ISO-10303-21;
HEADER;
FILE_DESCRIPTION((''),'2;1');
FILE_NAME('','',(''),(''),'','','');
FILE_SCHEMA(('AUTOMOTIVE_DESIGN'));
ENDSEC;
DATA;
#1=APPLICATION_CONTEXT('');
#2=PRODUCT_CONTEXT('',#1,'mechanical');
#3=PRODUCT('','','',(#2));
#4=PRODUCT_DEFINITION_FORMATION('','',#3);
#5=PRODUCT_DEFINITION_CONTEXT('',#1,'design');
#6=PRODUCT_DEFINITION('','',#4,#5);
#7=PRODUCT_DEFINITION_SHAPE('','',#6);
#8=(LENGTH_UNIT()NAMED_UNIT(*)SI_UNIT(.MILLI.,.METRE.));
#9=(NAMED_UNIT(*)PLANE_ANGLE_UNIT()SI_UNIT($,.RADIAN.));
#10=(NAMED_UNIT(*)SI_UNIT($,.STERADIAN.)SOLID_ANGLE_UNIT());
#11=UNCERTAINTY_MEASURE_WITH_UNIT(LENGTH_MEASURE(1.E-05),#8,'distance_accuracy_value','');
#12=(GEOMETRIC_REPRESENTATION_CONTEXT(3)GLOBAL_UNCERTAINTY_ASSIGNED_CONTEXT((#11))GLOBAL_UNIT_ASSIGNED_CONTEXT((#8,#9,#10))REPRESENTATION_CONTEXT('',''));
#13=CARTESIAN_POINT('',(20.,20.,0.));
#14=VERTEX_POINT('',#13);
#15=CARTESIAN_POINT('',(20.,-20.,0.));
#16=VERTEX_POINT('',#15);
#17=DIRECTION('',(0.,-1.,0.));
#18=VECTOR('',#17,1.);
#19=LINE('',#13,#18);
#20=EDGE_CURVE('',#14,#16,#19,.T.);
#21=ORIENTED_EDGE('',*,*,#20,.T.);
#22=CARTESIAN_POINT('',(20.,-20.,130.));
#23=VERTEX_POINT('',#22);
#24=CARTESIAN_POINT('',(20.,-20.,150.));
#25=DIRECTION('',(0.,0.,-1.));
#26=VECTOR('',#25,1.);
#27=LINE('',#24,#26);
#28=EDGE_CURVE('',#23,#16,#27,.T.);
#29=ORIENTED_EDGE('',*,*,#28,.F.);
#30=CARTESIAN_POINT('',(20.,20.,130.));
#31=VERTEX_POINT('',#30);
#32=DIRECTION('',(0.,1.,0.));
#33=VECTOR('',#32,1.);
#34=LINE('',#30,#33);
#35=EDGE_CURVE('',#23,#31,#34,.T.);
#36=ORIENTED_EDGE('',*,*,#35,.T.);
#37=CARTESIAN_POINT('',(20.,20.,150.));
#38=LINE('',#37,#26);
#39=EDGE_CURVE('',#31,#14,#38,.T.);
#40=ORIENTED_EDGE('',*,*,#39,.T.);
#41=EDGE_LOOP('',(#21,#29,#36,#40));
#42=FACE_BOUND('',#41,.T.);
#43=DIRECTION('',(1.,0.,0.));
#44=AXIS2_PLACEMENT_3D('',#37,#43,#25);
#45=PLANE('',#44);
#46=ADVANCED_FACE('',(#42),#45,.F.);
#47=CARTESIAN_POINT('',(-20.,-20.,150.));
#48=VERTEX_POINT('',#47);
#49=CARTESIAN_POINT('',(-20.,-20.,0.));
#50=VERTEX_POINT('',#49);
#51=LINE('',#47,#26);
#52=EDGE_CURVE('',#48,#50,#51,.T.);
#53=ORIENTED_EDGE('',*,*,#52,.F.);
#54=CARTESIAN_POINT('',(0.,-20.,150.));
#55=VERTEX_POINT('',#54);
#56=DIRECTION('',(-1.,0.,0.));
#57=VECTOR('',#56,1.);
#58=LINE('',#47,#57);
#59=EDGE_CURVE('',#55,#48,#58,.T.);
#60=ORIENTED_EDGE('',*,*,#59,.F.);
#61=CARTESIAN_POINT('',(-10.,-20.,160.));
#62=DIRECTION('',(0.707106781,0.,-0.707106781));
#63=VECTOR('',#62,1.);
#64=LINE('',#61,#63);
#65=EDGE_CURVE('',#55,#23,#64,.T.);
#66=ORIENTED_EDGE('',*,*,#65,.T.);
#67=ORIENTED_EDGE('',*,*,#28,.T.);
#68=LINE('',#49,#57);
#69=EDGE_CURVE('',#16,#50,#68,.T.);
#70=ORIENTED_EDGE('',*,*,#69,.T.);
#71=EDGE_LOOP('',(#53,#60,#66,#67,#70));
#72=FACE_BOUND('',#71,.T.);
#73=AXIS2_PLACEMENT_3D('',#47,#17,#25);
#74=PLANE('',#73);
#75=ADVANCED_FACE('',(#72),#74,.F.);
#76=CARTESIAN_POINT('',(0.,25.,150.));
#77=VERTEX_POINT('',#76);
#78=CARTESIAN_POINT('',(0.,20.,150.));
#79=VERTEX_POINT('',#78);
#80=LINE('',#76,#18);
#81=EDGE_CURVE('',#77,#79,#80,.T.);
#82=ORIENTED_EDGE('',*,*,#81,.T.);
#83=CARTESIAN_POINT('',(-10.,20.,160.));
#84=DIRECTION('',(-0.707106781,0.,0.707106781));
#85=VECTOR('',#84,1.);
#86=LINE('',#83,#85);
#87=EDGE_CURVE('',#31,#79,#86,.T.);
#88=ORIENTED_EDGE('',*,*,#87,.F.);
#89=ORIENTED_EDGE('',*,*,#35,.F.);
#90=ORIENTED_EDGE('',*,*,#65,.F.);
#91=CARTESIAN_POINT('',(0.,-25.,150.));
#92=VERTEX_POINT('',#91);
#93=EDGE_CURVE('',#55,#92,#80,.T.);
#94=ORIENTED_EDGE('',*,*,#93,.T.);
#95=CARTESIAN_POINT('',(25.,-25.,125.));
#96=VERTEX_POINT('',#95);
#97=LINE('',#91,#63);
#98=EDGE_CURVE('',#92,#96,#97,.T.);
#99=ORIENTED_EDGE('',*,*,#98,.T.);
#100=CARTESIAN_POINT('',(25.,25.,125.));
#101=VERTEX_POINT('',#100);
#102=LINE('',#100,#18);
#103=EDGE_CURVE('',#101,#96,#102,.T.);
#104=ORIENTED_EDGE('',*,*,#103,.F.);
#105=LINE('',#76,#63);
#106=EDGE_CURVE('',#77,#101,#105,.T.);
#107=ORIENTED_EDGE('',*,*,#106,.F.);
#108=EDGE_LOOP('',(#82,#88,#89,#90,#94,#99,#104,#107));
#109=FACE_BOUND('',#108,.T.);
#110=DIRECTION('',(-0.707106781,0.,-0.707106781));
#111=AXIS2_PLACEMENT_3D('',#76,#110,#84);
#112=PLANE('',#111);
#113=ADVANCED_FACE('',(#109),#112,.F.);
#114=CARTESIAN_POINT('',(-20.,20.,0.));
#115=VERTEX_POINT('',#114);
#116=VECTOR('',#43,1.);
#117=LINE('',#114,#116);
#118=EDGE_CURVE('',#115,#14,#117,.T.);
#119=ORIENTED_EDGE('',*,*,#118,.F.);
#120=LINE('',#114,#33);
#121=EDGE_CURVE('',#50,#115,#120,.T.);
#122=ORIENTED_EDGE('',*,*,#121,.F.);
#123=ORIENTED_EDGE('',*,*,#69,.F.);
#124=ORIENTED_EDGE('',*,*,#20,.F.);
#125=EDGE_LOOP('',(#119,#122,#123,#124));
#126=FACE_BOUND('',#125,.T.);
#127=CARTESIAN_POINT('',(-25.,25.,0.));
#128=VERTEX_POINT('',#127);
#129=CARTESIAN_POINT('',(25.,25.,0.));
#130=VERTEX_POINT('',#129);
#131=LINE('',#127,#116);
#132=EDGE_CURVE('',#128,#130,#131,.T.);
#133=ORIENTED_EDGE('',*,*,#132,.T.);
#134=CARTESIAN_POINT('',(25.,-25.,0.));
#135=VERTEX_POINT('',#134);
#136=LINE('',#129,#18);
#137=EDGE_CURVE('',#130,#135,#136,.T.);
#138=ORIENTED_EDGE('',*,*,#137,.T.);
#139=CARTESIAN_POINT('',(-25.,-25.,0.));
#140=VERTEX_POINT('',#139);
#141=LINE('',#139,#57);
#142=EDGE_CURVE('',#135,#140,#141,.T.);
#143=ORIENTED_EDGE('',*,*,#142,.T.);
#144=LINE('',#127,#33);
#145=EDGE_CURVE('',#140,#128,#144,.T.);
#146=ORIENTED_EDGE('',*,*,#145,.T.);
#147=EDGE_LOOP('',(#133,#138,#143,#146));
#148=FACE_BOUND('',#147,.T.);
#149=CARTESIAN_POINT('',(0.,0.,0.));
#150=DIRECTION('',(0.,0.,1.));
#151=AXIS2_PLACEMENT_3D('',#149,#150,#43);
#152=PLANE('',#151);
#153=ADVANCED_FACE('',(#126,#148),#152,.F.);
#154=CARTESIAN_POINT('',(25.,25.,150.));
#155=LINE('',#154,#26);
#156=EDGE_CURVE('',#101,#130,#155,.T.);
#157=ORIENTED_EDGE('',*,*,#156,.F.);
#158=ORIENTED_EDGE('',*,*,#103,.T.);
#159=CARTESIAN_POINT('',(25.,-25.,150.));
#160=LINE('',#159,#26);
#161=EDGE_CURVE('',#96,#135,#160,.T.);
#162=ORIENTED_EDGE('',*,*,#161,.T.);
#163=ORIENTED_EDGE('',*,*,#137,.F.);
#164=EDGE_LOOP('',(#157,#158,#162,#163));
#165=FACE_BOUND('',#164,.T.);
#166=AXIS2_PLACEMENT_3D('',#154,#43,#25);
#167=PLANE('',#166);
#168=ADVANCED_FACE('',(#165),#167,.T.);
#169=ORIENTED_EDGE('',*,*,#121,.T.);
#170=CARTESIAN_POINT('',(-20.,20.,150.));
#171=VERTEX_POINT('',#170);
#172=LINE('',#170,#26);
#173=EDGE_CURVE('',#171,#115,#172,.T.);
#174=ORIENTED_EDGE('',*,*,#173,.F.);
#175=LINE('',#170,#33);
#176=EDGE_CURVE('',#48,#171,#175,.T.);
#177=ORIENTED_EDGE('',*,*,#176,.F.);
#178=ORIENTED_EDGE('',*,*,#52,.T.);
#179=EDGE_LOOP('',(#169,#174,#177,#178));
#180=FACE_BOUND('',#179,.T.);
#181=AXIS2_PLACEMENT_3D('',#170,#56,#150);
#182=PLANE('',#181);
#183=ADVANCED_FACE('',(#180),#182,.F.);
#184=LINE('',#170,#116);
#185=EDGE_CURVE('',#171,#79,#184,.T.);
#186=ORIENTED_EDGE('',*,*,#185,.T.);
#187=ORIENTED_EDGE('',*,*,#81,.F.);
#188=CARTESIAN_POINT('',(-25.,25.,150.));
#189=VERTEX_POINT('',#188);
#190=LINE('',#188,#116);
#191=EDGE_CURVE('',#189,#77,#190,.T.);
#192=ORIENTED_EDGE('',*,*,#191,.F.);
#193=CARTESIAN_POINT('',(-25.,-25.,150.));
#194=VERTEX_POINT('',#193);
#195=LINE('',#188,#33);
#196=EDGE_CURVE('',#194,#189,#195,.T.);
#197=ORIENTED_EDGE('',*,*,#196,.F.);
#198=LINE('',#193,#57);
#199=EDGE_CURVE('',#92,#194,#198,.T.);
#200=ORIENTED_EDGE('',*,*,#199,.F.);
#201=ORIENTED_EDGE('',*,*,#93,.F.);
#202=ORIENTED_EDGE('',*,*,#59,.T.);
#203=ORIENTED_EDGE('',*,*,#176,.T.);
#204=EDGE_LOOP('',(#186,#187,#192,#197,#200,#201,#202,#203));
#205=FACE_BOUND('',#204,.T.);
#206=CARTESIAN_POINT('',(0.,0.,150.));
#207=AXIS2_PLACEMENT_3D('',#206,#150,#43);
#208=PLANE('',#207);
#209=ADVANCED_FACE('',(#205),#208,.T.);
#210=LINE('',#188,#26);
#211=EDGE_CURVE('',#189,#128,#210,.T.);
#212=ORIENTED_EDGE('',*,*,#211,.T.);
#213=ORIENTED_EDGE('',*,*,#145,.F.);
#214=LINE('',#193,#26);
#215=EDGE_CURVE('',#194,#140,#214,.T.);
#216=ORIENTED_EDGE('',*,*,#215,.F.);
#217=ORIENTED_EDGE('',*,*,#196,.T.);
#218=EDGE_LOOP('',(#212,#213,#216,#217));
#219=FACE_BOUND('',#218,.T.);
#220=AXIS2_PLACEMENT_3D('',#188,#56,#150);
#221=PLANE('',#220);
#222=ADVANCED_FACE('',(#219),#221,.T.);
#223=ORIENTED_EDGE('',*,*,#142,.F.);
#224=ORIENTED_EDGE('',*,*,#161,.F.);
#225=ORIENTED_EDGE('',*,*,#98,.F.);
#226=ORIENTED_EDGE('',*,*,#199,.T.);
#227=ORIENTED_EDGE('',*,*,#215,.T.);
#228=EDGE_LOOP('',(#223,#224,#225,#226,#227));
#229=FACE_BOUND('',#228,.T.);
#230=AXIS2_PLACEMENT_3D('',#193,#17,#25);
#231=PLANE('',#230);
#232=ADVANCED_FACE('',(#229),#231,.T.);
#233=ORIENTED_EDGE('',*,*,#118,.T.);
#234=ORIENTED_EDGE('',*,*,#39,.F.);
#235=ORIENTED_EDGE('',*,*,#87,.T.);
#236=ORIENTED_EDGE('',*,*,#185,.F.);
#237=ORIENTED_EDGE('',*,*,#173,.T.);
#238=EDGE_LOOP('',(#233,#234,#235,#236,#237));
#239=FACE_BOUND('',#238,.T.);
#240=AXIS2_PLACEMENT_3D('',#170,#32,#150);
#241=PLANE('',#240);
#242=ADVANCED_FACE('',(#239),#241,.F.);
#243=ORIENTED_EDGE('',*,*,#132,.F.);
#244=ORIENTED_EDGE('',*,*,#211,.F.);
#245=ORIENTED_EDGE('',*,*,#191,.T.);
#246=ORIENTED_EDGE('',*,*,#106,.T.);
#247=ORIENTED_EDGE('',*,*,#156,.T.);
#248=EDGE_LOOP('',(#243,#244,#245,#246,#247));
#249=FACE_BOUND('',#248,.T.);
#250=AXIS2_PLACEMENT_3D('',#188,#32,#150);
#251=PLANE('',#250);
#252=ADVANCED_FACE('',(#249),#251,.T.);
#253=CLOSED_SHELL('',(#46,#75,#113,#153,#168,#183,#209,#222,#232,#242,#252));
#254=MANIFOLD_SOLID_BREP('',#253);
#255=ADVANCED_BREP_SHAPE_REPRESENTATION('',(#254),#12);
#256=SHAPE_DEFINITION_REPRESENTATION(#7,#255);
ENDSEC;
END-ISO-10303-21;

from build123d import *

# Parameters (mm, degrees)
SKETCH2_W           = 50
SKETCH2_H           = 50
SKETCH2_W_2         = 40
SKETCH2_H_2         = 40
BOSS_EXTRUDE1_DEPTH = 150
CUT_EXTRUDE1_DEPTH  = 161.078105936


with BuildPart() as part:
    # Sketch2 → Boss-Extrude1 (new body)
    with BuildSketch(Plane(origin=(0, 0, 0), x_dir=(1, 0, 0), z_dir=(0, 0, -1))):
        Rectangle(SKETCH2_W, SKETCH2_H)
        Rectangle(SKETCH2_W_2, SKETCH2_H_2, mode=Mode.SUBTRACT)
    extrude(amount=-BOSS_EXTRUDE1_DEPTH)

    # Sketch3 → Cut-Extrude1 (cut, through all)
    with BuildSketch(Plane.XZ.offset(25)):
        Polygon((0, 150), (25, 125), (25, 150), align=None)
    extrude(amount=-CUT_EXTRUDE1_DEPTH, mode=Mode.SUBTRACT)


solid = part.part
